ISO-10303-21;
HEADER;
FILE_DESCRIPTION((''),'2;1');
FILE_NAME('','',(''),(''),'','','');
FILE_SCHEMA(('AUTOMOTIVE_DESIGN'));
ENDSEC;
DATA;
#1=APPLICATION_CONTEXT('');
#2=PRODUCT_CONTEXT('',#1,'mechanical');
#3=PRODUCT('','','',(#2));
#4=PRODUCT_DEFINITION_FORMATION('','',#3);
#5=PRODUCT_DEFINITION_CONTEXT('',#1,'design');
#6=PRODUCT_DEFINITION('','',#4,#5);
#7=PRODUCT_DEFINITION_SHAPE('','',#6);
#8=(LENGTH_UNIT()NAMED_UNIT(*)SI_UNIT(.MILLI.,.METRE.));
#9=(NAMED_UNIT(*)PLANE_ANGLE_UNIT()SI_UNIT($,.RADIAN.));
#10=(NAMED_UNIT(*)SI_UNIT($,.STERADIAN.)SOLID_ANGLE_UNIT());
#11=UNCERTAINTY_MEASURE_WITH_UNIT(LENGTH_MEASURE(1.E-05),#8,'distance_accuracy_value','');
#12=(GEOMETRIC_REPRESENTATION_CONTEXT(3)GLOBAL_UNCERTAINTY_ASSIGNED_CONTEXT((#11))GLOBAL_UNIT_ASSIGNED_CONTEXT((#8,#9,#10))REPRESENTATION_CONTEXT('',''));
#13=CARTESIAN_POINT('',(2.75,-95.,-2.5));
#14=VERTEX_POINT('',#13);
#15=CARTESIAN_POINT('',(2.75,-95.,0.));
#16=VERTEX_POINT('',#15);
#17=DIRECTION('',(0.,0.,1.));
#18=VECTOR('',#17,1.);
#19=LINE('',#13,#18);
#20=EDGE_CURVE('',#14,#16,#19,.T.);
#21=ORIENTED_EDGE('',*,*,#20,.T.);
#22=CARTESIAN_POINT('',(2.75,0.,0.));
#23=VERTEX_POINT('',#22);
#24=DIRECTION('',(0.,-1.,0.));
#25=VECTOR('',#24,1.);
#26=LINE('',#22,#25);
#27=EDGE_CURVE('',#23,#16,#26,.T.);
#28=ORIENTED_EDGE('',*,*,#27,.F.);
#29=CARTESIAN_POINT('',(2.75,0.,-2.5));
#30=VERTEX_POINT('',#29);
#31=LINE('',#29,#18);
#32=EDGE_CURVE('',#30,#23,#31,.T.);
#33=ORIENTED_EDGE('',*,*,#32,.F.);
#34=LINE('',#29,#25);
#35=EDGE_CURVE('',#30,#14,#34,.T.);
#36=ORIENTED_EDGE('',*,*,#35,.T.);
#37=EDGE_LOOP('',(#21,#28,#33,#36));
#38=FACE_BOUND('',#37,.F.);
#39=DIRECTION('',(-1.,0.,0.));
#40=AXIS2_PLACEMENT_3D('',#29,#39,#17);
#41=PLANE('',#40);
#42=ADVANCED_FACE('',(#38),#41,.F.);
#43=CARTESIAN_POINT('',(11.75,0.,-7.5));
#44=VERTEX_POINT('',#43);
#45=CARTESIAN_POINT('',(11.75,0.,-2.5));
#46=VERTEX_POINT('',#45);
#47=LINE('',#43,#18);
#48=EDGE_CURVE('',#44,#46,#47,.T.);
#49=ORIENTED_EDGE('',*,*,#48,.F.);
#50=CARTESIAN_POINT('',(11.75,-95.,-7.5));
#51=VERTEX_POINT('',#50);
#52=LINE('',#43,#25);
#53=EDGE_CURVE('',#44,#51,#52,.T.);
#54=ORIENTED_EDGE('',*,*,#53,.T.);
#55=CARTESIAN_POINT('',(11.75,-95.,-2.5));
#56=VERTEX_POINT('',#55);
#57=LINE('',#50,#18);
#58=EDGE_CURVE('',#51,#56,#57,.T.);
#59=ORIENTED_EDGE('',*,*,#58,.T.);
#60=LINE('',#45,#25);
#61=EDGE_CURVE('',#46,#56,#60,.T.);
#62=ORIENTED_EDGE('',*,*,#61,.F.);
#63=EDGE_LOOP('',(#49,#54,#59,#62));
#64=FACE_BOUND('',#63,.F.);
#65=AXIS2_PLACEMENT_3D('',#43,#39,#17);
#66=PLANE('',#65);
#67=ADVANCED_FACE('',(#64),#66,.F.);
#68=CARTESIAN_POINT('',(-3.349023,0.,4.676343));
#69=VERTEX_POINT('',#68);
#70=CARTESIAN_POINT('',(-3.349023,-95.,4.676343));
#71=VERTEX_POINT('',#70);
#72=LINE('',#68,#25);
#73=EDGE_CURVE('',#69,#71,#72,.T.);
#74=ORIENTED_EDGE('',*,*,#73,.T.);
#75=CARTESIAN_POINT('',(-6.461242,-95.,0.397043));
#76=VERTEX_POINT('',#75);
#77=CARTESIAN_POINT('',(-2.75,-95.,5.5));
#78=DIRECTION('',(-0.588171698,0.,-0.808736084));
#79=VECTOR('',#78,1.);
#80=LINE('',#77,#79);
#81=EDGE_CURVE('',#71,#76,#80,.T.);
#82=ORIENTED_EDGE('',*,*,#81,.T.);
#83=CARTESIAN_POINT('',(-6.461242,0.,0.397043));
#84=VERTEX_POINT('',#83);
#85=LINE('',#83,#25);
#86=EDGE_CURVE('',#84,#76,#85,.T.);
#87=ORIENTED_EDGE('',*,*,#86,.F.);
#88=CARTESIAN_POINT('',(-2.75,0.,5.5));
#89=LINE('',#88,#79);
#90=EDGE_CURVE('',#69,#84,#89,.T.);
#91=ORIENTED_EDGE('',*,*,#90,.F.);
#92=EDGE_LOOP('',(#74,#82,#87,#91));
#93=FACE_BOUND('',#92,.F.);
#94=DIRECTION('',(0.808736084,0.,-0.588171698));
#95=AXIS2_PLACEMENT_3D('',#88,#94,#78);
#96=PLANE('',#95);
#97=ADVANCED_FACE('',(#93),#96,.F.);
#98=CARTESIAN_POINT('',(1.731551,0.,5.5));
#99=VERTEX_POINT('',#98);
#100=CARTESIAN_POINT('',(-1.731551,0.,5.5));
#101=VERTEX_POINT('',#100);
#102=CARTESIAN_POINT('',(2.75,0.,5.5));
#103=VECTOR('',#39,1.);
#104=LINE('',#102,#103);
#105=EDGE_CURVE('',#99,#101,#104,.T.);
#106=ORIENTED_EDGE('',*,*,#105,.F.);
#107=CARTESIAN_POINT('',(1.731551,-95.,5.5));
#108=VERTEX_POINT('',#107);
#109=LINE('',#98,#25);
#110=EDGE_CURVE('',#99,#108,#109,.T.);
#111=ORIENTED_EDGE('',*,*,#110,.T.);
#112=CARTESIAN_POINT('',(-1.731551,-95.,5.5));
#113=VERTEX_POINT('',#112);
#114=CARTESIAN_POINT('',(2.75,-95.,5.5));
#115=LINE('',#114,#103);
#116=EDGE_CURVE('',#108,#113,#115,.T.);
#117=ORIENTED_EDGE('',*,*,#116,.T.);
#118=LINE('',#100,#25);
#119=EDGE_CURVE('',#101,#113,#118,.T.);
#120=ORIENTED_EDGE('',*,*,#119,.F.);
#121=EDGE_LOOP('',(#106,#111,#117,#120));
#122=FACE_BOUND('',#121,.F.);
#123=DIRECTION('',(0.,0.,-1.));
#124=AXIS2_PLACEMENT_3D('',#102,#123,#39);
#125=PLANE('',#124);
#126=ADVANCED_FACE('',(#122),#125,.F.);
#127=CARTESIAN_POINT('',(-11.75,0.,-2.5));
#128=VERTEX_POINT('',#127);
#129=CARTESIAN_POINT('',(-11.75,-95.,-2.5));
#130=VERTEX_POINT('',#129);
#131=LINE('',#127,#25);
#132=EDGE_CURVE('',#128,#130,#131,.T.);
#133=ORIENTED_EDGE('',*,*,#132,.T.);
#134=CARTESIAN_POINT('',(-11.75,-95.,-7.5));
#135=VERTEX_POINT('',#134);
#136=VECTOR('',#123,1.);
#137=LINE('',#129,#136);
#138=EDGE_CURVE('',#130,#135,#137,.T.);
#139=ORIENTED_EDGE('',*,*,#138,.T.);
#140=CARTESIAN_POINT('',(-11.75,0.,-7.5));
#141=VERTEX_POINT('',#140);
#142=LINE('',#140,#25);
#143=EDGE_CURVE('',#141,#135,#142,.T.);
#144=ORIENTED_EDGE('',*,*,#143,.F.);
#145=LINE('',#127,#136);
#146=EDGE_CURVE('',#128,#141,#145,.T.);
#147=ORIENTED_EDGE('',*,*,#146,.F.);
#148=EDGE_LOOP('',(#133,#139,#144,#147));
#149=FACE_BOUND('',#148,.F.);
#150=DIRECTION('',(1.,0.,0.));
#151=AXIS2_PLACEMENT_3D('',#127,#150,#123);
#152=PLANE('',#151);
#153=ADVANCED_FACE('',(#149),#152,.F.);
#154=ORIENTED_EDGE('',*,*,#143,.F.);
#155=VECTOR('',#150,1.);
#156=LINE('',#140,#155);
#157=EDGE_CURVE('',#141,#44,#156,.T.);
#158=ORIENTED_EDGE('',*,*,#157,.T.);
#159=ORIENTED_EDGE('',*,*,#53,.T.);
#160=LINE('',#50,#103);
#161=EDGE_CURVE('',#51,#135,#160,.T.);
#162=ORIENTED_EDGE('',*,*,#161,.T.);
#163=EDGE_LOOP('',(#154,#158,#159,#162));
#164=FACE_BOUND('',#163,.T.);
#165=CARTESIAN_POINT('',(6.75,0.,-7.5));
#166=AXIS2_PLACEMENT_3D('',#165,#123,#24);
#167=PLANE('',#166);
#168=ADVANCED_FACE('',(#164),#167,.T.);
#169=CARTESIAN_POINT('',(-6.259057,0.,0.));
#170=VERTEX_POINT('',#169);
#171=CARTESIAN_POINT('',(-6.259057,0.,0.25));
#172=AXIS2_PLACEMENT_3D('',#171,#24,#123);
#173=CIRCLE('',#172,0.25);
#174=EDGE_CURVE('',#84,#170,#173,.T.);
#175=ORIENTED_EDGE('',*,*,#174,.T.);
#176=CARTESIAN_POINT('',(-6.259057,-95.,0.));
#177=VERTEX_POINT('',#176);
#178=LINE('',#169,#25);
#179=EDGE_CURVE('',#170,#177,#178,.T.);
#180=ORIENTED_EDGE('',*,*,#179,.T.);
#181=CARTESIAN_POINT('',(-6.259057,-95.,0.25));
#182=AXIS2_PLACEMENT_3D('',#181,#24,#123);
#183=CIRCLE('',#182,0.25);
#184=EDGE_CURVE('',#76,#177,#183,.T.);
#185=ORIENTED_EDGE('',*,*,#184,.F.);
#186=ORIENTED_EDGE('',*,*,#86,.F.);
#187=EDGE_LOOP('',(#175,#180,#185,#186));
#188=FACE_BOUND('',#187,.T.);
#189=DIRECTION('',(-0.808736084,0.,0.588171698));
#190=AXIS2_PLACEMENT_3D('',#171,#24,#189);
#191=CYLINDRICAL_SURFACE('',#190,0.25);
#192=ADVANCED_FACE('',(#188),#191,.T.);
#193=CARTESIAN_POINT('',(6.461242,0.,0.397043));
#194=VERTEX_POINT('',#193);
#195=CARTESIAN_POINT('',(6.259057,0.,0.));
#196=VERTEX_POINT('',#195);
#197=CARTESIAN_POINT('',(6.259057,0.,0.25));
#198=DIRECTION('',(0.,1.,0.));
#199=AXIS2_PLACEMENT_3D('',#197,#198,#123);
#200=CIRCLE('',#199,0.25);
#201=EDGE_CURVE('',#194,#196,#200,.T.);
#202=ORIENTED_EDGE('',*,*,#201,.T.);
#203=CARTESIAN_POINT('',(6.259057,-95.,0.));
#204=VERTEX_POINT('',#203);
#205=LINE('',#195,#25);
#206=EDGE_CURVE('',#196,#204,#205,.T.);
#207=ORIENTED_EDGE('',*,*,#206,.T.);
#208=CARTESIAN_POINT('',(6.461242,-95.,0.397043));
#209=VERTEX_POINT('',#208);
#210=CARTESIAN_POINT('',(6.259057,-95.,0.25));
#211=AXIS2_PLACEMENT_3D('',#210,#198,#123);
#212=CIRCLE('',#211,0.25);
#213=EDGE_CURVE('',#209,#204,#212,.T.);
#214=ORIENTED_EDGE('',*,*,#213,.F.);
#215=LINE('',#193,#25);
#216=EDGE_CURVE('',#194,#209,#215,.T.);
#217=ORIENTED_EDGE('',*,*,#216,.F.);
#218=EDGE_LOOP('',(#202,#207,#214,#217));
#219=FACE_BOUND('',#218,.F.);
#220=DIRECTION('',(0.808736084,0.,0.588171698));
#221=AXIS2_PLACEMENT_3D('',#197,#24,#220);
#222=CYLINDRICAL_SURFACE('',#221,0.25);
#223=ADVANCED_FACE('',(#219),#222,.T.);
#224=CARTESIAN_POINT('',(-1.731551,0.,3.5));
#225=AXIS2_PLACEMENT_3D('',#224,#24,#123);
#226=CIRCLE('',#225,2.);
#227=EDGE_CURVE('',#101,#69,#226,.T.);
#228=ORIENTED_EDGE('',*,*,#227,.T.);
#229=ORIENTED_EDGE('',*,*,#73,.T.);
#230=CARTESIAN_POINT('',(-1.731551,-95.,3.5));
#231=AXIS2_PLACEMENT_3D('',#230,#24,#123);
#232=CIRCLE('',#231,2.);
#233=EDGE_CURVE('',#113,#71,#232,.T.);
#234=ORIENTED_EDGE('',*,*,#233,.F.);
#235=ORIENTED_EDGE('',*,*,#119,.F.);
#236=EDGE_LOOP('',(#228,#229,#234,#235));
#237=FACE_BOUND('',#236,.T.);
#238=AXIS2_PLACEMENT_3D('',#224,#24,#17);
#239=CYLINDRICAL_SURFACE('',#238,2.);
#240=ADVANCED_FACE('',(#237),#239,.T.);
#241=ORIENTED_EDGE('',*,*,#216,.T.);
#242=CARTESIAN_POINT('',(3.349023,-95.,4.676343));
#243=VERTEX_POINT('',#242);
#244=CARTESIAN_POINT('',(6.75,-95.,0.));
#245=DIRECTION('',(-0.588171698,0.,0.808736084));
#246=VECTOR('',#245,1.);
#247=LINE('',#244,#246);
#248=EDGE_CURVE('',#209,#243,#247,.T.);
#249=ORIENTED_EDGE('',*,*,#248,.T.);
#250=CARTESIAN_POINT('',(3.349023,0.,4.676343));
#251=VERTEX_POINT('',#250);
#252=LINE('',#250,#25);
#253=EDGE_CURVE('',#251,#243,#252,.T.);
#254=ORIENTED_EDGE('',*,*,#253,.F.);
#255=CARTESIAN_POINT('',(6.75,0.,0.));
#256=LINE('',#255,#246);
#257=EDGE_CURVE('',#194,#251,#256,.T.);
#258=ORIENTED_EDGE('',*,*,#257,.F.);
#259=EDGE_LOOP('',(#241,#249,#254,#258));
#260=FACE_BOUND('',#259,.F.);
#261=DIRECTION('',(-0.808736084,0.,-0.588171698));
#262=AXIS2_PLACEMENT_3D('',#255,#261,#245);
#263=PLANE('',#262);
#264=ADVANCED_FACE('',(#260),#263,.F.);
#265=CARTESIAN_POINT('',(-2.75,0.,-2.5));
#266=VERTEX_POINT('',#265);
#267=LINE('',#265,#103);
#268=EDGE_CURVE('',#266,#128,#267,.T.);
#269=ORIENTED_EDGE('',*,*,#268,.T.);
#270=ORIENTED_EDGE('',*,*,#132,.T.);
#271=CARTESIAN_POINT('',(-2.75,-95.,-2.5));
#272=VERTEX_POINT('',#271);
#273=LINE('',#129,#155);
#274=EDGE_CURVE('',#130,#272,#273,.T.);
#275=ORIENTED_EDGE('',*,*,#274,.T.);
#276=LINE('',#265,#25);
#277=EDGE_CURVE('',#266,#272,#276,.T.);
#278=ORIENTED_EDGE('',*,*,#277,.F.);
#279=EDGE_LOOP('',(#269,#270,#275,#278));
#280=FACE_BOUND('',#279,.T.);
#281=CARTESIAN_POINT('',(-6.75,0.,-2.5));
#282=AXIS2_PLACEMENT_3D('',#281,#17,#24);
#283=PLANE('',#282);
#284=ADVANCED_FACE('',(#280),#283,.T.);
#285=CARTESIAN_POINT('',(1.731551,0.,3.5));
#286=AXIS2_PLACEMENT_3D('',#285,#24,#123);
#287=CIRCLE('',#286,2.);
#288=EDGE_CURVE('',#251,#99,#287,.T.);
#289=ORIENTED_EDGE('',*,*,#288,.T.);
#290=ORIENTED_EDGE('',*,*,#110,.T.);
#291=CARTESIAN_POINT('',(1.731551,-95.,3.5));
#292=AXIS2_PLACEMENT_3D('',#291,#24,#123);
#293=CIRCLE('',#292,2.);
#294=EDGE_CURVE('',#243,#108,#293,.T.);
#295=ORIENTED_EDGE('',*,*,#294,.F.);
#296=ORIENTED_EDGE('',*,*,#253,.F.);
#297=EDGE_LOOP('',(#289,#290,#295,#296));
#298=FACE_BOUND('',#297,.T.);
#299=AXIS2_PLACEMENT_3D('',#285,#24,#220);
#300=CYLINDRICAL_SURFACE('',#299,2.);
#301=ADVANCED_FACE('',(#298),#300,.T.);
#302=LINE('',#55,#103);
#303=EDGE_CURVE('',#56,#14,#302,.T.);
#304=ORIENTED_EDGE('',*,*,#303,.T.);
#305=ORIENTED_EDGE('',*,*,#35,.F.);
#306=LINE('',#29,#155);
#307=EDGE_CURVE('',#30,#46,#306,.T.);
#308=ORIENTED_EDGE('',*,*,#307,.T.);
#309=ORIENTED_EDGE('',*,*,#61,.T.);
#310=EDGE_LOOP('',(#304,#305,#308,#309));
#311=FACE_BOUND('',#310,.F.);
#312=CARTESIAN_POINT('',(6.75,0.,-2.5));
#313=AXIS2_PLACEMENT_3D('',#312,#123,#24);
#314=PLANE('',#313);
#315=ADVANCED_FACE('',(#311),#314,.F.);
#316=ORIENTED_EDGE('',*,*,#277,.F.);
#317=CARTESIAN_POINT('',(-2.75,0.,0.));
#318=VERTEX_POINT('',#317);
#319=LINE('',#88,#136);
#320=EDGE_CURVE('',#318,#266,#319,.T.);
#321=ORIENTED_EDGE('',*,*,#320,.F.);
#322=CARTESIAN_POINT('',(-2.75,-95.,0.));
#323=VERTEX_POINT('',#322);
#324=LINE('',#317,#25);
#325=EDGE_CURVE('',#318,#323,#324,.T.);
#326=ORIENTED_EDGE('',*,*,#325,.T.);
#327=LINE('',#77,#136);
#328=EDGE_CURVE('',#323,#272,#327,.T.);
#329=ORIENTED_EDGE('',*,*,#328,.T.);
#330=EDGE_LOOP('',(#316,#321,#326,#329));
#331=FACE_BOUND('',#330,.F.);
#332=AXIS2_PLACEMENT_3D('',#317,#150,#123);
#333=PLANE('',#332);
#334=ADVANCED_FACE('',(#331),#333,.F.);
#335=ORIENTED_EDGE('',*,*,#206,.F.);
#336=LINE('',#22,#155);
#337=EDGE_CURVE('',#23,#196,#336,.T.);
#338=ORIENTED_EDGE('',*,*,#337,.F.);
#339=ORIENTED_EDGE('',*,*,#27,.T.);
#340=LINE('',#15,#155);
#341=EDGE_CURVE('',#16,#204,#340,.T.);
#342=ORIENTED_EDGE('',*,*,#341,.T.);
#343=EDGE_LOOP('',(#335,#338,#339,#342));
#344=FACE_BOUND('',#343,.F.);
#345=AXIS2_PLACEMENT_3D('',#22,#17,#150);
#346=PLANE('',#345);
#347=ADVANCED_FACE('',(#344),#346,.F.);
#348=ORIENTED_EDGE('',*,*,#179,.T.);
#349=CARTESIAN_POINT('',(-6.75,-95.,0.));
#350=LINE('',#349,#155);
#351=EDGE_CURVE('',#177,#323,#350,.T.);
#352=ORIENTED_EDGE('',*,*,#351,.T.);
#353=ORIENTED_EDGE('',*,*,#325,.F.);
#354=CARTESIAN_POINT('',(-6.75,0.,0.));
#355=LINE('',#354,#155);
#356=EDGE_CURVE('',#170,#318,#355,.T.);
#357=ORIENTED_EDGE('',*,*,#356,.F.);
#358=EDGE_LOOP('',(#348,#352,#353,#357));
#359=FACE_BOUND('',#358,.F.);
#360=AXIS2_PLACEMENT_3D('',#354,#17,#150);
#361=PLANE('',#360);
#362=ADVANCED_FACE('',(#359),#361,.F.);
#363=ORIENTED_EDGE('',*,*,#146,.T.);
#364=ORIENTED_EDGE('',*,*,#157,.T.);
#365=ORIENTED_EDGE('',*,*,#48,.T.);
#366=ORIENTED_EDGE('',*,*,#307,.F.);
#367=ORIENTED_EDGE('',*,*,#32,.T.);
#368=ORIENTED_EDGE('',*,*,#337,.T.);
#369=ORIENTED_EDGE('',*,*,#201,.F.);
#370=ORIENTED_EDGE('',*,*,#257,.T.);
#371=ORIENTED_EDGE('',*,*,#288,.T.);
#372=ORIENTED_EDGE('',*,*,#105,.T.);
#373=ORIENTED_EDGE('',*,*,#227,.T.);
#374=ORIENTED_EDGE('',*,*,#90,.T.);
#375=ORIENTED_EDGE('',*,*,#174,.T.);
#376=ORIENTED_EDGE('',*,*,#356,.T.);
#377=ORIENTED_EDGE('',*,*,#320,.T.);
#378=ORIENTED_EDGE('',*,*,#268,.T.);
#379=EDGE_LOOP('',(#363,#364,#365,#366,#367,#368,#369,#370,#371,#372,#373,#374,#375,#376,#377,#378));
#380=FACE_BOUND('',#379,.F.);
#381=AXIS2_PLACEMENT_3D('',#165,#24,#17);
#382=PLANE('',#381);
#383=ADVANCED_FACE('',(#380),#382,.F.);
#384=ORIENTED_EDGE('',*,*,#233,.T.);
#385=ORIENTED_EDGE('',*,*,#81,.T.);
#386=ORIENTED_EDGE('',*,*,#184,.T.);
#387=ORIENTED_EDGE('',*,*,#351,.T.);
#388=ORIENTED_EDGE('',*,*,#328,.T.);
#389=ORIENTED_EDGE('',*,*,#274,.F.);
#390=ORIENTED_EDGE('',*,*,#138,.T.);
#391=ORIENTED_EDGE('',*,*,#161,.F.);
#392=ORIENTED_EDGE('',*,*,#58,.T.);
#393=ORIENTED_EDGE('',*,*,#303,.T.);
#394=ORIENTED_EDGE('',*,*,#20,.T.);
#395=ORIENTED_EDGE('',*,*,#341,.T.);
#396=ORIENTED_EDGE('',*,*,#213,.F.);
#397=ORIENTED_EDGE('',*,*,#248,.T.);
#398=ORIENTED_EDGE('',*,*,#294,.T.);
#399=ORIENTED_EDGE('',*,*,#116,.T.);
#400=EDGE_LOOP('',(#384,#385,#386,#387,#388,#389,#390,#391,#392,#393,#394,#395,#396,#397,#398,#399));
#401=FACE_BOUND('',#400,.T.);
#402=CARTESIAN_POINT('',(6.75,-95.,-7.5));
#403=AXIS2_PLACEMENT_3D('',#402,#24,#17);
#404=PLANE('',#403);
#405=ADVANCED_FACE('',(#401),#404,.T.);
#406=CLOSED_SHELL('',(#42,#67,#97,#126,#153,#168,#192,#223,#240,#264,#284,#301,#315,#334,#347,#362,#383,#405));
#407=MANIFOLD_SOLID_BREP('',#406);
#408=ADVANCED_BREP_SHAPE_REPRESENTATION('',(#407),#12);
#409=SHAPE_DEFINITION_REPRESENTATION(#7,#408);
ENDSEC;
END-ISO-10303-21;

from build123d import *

# Parameters (mm, degrees)
F0_W     = 2.75
F0_H     = 5.5
F1_DEPTH = 95
F2_R     = 2
F3_R     = 0.25
F4_DEPTH = 5
F5_DEPTH = 5


with BuildPart() as f1:
    # F0 (on Front) → F1 (new body)
    with BuildSketch(Plane.XZ):
        with Locations((1.375, 2.75)):
            Rectangle(F0_W, F0_H)
        Polygon((0, 0), (-2.75, 0), (-2.75, -2.5), (-6.75, -2.5), (-6.75, -7.5), (6.75, -7.5), (6.75, -2.5), (2.75, -2.5), (2.75, 0), align=None)
        Polygon((2.75, 5.5), (2.75, 0), (6.75, 0), align=None)
        with Locations((-1.375, 2.75)):
            Rectangle(F0_W, F0_H)
        Polygon((-2.75, 5.5), (-6.75, 0), (-2.75, 0), align=None)
    extrude(amount=F1_DEPTH)

    # F2
    f2_edges = [f1.edges().sort_by_distance(p)[0] for p in [
        (2.75, -47.5, 5.5),
        (-2.75, -47.5, 5.5),
    ]]
    fillet(f2_edges, radius=F2_R)

    # F3
    f3_edges = [f1.edges().sort_by_distance(p)[0] for p in [
        (6.75, -47.5, 0),
        (-6.75, -47.5, 0),
    ]]
    fillet(f3_edges, radius=F3_R)

    # F4 (add): a face of the model
    f4_faces = [f1.faces().sort_by_distance(p)[0] for p in [
        (-6.75, -47.5, -5),
    ]]
    extrude(f4_faces, amount=F4_DEPTH)

    # F5 (add): a face of the model
    f5_faces = [f1.faces().sort_by_distance(p)[0] for p in [
        (6.75, -47.5, -5),
    ]]
    extrude(f5_faces, amount=F5_DEPTH)


solid = f1.part
